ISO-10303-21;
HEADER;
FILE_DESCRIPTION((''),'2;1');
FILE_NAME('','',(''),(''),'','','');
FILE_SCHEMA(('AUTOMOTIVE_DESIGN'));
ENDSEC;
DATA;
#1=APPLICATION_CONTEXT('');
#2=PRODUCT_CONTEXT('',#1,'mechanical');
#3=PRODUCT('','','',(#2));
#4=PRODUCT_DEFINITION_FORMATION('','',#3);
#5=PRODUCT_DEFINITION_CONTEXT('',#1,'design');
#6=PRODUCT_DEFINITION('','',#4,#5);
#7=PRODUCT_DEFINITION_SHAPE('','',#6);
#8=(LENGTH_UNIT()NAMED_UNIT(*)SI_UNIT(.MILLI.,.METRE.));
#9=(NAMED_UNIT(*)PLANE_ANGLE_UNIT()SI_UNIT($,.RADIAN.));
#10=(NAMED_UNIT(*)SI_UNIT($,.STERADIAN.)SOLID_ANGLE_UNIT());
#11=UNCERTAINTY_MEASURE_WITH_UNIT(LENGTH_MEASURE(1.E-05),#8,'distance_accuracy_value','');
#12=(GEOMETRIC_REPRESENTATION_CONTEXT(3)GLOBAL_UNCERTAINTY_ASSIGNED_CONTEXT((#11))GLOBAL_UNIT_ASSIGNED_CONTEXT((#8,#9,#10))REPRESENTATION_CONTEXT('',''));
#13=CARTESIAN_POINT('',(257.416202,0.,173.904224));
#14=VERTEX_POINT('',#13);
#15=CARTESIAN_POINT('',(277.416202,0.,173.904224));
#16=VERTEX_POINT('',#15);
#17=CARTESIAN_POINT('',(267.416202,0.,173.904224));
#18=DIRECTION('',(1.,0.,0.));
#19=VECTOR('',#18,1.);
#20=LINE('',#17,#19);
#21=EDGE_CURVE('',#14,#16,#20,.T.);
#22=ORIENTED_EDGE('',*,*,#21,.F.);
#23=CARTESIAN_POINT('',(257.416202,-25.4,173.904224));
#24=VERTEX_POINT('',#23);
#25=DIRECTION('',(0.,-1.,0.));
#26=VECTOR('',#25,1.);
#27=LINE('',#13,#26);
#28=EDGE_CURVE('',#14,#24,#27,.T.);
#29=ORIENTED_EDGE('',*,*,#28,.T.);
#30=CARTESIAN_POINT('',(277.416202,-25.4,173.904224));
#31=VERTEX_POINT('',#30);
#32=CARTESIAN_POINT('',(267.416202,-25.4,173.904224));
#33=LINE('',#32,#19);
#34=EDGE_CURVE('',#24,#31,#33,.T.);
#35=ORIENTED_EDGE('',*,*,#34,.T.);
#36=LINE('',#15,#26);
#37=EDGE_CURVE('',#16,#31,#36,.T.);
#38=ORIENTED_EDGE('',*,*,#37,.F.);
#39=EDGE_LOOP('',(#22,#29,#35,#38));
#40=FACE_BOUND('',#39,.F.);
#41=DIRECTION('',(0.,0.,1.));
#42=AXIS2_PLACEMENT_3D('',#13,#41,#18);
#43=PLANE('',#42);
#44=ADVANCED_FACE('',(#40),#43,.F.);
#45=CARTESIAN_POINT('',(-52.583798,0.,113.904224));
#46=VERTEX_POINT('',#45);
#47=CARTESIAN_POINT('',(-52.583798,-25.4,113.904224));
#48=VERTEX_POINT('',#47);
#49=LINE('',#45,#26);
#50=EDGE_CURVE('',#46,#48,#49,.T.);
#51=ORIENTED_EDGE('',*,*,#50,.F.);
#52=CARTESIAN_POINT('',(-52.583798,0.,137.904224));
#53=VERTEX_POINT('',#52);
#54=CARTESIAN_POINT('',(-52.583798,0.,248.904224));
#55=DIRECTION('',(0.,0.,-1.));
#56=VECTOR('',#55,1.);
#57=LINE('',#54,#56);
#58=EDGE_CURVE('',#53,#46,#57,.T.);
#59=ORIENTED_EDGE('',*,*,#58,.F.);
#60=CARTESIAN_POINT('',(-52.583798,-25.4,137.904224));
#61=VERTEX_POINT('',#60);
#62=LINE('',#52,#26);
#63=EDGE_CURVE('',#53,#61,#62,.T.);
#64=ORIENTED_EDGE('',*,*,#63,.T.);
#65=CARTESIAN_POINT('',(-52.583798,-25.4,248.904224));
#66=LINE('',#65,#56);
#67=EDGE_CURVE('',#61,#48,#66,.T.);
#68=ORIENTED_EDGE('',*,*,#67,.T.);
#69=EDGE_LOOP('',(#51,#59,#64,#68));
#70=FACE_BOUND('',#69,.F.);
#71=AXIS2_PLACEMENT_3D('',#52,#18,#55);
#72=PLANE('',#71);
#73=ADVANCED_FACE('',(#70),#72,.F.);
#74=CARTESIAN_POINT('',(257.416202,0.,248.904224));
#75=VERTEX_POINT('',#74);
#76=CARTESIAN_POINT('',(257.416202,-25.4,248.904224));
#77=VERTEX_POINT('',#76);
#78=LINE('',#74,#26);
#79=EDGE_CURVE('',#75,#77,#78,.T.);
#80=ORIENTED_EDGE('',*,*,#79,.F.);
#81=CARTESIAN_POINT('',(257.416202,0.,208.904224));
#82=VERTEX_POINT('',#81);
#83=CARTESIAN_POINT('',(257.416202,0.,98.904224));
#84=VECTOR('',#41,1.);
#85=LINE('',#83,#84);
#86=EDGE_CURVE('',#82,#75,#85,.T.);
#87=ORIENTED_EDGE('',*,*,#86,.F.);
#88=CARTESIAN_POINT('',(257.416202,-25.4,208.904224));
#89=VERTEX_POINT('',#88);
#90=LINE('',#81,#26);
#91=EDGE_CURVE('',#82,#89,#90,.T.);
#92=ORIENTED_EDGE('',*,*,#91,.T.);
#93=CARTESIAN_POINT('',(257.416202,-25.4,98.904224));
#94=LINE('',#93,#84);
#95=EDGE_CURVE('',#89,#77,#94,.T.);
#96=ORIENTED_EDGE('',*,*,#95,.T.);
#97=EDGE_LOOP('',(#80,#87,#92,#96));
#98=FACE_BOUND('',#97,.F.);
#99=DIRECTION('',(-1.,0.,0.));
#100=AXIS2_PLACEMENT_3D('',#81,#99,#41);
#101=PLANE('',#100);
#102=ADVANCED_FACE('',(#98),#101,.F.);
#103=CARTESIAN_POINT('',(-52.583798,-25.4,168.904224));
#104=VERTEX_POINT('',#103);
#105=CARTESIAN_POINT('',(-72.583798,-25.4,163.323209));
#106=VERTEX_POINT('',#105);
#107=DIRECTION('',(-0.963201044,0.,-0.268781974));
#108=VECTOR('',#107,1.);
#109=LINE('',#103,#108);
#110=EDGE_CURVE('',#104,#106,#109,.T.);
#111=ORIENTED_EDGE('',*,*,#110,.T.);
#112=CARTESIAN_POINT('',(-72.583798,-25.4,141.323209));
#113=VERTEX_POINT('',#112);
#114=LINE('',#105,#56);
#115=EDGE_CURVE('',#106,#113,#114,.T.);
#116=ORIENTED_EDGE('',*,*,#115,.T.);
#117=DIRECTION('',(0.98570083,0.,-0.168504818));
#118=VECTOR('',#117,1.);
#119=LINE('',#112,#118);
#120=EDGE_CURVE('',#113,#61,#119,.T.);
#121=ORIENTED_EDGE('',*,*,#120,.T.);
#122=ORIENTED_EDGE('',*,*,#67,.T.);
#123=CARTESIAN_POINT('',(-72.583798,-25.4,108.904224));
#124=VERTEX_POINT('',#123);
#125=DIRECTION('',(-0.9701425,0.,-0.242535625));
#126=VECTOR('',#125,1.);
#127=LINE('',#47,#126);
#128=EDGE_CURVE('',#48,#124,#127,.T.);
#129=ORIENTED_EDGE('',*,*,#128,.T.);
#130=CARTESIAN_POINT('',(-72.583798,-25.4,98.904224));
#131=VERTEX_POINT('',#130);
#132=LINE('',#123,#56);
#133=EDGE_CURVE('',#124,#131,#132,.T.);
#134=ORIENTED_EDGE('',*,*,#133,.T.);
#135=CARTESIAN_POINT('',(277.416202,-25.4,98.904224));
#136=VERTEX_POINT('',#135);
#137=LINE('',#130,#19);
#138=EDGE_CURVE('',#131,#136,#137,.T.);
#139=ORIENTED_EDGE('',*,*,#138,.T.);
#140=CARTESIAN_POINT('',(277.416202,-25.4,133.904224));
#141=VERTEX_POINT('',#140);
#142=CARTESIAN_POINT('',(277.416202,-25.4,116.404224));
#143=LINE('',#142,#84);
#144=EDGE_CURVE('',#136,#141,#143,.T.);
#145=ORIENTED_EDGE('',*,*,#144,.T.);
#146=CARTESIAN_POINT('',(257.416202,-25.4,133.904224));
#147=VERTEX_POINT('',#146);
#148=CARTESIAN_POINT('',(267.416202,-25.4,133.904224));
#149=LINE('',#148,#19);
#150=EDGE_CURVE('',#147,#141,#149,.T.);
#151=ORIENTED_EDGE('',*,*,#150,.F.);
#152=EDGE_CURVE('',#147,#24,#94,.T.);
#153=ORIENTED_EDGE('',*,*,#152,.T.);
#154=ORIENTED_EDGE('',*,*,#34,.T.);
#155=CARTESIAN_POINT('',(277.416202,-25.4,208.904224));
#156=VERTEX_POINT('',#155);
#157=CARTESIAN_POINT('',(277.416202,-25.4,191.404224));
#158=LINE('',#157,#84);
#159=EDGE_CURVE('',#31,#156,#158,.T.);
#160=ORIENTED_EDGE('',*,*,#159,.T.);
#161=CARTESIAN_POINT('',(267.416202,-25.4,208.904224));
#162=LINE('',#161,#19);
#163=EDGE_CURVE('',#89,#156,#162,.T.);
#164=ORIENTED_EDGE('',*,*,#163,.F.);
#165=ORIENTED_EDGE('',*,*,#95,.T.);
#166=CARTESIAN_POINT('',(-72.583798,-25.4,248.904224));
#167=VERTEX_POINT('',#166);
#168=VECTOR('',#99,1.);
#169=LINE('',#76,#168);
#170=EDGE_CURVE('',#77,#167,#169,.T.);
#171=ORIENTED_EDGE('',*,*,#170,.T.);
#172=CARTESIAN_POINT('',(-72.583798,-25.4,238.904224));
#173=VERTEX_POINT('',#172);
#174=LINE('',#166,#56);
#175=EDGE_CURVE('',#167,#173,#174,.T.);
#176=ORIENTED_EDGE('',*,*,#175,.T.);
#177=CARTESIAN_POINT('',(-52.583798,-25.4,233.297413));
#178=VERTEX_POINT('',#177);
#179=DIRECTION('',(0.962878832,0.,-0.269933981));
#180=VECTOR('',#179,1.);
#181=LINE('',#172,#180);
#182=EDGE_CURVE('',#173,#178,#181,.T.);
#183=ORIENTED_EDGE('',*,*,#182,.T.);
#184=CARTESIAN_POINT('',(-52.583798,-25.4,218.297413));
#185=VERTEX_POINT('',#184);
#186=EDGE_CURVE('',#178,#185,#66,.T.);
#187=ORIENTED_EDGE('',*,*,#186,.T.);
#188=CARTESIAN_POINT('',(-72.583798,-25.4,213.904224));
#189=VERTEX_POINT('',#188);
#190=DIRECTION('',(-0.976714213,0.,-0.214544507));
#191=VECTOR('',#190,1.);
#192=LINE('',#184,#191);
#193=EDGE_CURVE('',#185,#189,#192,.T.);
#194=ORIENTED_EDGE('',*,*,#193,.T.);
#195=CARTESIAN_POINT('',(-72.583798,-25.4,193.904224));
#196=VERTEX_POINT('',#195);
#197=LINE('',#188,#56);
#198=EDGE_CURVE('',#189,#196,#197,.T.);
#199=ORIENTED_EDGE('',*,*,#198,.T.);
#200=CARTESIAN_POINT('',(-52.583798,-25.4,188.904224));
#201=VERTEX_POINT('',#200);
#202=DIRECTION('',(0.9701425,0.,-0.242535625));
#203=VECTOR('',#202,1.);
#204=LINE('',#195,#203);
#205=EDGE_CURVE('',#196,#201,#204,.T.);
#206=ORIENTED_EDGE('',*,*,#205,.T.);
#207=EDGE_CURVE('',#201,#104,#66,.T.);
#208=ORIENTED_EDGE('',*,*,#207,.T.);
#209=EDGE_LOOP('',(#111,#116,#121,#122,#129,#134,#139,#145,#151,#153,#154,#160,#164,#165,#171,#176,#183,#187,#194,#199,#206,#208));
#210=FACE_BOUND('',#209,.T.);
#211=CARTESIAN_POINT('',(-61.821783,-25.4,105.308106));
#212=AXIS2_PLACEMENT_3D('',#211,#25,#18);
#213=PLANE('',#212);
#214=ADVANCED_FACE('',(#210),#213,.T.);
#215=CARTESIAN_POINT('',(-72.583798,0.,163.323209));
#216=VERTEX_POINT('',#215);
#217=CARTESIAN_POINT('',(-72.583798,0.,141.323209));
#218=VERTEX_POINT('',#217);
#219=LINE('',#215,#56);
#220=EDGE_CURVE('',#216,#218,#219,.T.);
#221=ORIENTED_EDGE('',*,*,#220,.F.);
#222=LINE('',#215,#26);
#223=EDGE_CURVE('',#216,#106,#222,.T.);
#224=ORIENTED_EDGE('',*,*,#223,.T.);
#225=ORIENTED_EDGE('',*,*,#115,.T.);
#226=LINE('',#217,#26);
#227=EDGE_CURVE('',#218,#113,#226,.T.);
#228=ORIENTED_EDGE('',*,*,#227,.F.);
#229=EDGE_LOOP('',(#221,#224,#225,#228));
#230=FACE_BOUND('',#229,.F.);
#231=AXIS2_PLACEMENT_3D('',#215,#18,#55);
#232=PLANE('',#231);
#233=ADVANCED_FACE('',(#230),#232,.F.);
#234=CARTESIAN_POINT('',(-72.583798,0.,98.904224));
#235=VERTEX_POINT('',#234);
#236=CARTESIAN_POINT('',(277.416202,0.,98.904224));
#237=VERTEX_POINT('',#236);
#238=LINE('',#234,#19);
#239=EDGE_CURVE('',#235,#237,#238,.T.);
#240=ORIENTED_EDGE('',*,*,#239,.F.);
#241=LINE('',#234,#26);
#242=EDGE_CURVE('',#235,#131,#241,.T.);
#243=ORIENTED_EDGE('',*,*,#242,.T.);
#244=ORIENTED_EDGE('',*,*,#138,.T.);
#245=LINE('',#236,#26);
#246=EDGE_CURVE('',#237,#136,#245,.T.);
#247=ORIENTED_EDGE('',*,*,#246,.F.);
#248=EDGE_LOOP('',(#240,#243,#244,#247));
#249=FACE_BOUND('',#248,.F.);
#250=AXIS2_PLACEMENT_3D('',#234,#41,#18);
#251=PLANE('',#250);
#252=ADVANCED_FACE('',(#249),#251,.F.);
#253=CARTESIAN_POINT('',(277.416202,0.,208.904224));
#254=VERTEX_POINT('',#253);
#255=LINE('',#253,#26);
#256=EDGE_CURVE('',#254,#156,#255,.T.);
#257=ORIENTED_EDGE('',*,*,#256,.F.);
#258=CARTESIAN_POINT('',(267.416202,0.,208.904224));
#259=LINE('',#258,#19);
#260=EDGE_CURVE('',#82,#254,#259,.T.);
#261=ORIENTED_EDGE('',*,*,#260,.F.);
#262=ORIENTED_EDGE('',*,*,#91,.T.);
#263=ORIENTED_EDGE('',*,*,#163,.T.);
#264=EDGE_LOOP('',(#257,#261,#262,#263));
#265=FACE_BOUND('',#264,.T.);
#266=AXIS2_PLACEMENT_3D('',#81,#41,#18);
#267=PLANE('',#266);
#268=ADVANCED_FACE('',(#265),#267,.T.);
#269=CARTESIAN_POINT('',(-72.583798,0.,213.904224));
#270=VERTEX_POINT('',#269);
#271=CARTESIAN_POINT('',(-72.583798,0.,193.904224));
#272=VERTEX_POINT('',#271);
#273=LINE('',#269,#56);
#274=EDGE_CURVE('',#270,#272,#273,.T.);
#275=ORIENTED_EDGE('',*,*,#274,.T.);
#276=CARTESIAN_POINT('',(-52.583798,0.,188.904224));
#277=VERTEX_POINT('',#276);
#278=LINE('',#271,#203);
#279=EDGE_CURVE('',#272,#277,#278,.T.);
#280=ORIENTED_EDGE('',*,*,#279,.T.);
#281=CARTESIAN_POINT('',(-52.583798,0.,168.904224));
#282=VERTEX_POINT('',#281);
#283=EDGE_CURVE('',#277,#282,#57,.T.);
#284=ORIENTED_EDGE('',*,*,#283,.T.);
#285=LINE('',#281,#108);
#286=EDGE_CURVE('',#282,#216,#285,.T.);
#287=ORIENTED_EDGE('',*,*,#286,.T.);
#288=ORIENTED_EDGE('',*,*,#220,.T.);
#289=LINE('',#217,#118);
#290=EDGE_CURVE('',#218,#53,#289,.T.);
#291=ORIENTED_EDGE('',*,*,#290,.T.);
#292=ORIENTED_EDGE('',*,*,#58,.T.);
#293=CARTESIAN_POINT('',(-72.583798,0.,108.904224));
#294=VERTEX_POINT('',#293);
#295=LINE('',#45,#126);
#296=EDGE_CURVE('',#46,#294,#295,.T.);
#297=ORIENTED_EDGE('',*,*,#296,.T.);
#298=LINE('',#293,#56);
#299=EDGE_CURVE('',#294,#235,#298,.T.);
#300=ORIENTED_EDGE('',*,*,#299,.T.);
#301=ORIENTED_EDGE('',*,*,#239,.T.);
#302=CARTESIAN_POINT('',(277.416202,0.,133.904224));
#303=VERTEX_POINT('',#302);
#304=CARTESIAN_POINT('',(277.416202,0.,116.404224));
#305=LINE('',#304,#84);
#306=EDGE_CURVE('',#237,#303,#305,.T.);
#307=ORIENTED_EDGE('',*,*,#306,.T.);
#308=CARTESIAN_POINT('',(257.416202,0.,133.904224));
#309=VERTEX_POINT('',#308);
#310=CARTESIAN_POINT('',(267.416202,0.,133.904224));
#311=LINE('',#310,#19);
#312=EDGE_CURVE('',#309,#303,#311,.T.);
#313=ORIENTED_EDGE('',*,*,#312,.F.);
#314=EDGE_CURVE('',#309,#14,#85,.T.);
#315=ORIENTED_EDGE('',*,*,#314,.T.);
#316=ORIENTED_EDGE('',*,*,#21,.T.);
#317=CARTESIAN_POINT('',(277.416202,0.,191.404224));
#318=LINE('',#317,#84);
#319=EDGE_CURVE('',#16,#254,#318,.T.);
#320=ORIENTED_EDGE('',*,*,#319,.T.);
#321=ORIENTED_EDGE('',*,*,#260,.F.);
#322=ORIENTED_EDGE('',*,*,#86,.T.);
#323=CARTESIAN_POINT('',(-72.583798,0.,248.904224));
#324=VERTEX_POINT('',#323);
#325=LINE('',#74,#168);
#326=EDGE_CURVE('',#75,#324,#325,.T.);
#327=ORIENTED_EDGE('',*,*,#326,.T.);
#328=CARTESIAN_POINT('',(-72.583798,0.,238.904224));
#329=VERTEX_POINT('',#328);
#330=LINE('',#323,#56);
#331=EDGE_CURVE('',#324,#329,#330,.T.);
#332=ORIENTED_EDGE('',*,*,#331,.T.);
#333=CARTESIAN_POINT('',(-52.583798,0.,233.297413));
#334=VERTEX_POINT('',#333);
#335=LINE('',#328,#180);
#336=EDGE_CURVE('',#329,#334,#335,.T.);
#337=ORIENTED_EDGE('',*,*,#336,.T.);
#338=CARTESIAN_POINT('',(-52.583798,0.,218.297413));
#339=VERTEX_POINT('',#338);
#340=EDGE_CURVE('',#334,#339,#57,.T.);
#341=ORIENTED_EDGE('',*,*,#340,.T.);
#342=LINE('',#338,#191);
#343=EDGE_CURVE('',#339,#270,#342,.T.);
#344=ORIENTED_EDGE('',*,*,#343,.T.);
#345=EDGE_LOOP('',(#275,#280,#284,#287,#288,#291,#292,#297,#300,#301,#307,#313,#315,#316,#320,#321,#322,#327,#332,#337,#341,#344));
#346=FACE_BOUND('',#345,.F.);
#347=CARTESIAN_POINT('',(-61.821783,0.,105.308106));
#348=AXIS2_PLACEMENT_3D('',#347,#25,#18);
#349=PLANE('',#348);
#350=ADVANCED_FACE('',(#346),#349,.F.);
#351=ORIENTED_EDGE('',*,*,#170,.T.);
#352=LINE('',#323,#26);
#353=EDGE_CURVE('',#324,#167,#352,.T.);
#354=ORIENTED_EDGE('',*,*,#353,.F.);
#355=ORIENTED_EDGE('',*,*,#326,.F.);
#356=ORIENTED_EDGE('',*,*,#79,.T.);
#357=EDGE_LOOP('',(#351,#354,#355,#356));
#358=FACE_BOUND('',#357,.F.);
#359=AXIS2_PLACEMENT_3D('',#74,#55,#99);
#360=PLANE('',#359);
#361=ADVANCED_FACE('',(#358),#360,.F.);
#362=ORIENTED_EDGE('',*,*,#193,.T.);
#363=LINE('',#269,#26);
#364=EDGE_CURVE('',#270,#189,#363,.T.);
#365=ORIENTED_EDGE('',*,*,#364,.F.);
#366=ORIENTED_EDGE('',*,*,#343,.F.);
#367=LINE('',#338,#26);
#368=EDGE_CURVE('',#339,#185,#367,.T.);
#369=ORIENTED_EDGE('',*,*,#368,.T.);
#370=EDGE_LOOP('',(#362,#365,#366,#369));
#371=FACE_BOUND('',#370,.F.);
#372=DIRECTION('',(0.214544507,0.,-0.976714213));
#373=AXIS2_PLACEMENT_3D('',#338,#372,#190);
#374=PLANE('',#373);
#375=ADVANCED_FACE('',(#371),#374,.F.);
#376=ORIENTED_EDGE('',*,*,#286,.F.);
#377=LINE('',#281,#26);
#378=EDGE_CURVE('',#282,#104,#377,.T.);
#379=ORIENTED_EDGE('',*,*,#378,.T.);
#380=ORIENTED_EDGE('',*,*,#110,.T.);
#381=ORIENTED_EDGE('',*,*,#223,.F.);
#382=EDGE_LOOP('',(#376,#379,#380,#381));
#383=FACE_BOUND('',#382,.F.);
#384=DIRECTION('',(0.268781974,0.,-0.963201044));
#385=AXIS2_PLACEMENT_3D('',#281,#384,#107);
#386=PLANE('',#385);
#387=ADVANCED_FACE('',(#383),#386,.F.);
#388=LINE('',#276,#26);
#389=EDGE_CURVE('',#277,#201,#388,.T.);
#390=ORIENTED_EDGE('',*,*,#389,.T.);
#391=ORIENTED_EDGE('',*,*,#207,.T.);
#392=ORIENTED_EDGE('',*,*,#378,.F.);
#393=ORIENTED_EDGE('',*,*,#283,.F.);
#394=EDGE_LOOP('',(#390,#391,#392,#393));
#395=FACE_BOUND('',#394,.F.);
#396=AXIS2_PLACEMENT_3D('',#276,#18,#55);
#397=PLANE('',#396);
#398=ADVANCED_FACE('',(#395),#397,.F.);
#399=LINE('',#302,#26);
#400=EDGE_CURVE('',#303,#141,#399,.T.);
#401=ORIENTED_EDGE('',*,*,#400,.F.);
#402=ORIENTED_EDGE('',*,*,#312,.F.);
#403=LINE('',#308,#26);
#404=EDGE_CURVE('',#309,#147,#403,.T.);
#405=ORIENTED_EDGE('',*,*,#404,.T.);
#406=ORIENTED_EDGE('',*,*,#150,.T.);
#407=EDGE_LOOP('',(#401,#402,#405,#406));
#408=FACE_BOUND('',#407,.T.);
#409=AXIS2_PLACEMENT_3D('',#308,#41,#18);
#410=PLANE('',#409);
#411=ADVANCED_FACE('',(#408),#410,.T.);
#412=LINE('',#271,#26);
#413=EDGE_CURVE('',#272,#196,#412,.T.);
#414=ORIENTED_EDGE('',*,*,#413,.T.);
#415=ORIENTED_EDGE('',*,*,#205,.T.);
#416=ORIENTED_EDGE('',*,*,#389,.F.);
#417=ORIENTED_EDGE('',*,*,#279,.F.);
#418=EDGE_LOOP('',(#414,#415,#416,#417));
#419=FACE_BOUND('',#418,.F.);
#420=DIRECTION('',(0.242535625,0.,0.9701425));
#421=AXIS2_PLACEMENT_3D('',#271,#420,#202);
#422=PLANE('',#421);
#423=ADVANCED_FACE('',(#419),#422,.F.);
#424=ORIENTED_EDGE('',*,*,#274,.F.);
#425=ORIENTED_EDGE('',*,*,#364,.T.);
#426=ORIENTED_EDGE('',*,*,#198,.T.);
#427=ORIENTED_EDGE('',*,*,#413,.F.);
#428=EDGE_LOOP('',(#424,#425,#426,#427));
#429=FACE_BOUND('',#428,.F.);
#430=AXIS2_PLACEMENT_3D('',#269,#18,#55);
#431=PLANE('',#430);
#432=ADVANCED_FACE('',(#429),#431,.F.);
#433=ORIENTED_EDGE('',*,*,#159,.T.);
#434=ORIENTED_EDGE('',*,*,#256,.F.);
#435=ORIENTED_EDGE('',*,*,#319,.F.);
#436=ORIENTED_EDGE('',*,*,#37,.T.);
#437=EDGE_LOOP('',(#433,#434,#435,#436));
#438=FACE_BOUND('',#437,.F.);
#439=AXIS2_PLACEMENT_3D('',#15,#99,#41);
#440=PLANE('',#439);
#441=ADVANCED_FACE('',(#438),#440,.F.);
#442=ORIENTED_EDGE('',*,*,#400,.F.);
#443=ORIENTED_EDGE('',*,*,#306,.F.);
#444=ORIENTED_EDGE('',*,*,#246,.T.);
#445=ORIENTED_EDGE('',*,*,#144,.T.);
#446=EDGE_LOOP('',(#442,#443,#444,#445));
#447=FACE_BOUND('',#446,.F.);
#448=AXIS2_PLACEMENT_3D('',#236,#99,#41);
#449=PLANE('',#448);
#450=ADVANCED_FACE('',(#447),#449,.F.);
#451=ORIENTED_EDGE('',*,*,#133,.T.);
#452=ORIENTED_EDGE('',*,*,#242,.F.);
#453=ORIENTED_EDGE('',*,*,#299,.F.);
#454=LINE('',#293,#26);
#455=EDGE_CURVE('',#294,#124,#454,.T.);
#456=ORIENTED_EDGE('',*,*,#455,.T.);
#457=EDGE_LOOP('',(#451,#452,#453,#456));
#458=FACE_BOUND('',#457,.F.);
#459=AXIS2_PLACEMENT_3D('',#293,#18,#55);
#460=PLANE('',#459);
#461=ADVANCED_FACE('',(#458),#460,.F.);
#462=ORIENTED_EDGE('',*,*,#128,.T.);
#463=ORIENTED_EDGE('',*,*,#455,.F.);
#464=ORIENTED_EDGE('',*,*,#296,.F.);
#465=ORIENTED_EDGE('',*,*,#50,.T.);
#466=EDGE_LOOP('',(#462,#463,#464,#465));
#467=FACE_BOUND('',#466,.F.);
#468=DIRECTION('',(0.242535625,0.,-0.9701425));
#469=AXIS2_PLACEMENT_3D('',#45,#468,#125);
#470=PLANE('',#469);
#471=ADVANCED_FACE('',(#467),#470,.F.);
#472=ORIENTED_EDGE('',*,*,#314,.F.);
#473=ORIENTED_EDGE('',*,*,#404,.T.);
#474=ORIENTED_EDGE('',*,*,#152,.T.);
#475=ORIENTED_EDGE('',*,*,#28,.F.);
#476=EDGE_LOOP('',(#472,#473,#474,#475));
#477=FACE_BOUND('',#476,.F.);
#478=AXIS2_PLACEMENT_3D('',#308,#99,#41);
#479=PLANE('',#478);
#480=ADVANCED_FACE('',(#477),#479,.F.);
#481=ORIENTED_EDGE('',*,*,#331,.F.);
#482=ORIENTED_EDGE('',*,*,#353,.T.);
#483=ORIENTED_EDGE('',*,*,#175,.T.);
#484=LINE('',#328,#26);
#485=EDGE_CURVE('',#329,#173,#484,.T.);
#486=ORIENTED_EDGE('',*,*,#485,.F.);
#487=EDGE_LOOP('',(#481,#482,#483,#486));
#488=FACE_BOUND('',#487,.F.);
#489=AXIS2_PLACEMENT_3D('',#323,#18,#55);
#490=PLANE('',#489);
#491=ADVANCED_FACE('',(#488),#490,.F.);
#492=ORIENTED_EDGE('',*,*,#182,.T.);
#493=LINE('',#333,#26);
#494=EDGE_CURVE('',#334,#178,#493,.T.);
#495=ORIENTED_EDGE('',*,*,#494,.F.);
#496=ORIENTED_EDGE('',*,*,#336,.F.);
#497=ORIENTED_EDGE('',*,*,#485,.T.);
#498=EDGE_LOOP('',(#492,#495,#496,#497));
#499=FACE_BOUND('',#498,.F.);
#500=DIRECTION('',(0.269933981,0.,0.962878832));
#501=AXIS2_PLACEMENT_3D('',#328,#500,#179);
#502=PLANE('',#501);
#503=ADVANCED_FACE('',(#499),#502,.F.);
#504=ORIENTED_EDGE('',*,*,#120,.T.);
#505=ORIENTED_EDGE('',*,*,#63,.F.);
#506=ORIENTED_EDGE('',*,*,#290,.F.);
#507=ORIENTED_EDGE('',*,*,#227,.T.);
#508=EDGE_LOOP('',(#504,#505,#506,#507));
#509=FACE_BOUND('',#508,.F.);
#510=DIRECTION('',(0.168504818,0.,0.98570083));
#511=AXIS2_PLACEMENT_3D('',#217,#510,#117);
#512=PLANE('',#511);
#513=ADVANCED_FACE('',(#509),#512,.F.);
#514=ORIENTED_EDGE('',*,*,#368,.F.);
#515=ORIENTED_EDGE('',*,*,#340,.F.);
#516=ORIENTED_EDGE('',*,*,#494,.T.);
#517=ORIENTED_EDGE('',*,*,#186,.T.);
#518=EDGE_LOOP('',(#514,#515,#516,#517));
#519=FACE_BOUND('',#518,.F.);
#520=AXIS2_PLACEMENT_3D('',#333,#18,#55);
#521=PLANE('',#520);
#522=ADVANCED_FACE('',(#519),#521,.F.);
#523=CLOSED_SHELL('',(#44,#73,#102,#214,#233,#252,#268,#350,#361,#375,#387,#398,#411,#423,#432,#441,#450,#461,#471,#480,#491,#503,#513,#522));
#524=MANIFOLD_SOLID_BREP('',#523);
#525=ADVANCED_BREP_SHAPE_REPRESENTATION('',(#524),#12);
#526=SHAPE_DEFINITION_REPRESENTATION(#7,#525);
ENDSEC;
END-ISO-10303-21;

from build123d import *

# Parameters (mm, degrees)
F0_W     = 20
F0_H     = 35
F1_DEPTH = 25.4


with BuildPart() as f1:
    # F0 (on Front) → F1 (new body)
    with BuildSketch(Plane.XZ):
        Polygon((-72.583798, 108.904224), (-72.583798, 98.904224), (-52.583798, 98.904224), (-52.583798, 113.904224), align=None)
        Polygon((-52.583798, 113.904224), (-52.583798, 98.904224), (257.416202, 98.904224), (257.416202, 133.904224), (257.416202, 173.904224), (257.416202, 208.904224), (257.416202, 248.904224), (-52.583798, 248.904224), (-52.583798, 233.297413), (-52.583798, 218.297413), (-52.583798, 188.904224), (-52.583798, 168.904224), (-52.583798, 137.904224), align=None)
        with Locations((267.416202, 116.404224)):
            Rectangle(F0_W, F0_H)
        Polygon((-72.583798, 141.323209), (-52.583798, 137.904224), (-52.583798, 168.904224), (-72.583798, 163.323209), align=None)
        with Locations((267.416202, 191.404224)):
            Rectangle(F0_W, F0_H)
        Polygon((-72.583798, 193.904224), (-52.583798, 188.904224), (-52.583798, 218.297413), (-72.583798, 213.904224), align=None)
        Polygon((-52.583798, 233.297413), (-52.583798, 248.904224), (-72.583798, 248.904224), (-72.583798, 238.904224), align=None)
    extrude(amount=F1_DEPTH)


solid = f1.part
